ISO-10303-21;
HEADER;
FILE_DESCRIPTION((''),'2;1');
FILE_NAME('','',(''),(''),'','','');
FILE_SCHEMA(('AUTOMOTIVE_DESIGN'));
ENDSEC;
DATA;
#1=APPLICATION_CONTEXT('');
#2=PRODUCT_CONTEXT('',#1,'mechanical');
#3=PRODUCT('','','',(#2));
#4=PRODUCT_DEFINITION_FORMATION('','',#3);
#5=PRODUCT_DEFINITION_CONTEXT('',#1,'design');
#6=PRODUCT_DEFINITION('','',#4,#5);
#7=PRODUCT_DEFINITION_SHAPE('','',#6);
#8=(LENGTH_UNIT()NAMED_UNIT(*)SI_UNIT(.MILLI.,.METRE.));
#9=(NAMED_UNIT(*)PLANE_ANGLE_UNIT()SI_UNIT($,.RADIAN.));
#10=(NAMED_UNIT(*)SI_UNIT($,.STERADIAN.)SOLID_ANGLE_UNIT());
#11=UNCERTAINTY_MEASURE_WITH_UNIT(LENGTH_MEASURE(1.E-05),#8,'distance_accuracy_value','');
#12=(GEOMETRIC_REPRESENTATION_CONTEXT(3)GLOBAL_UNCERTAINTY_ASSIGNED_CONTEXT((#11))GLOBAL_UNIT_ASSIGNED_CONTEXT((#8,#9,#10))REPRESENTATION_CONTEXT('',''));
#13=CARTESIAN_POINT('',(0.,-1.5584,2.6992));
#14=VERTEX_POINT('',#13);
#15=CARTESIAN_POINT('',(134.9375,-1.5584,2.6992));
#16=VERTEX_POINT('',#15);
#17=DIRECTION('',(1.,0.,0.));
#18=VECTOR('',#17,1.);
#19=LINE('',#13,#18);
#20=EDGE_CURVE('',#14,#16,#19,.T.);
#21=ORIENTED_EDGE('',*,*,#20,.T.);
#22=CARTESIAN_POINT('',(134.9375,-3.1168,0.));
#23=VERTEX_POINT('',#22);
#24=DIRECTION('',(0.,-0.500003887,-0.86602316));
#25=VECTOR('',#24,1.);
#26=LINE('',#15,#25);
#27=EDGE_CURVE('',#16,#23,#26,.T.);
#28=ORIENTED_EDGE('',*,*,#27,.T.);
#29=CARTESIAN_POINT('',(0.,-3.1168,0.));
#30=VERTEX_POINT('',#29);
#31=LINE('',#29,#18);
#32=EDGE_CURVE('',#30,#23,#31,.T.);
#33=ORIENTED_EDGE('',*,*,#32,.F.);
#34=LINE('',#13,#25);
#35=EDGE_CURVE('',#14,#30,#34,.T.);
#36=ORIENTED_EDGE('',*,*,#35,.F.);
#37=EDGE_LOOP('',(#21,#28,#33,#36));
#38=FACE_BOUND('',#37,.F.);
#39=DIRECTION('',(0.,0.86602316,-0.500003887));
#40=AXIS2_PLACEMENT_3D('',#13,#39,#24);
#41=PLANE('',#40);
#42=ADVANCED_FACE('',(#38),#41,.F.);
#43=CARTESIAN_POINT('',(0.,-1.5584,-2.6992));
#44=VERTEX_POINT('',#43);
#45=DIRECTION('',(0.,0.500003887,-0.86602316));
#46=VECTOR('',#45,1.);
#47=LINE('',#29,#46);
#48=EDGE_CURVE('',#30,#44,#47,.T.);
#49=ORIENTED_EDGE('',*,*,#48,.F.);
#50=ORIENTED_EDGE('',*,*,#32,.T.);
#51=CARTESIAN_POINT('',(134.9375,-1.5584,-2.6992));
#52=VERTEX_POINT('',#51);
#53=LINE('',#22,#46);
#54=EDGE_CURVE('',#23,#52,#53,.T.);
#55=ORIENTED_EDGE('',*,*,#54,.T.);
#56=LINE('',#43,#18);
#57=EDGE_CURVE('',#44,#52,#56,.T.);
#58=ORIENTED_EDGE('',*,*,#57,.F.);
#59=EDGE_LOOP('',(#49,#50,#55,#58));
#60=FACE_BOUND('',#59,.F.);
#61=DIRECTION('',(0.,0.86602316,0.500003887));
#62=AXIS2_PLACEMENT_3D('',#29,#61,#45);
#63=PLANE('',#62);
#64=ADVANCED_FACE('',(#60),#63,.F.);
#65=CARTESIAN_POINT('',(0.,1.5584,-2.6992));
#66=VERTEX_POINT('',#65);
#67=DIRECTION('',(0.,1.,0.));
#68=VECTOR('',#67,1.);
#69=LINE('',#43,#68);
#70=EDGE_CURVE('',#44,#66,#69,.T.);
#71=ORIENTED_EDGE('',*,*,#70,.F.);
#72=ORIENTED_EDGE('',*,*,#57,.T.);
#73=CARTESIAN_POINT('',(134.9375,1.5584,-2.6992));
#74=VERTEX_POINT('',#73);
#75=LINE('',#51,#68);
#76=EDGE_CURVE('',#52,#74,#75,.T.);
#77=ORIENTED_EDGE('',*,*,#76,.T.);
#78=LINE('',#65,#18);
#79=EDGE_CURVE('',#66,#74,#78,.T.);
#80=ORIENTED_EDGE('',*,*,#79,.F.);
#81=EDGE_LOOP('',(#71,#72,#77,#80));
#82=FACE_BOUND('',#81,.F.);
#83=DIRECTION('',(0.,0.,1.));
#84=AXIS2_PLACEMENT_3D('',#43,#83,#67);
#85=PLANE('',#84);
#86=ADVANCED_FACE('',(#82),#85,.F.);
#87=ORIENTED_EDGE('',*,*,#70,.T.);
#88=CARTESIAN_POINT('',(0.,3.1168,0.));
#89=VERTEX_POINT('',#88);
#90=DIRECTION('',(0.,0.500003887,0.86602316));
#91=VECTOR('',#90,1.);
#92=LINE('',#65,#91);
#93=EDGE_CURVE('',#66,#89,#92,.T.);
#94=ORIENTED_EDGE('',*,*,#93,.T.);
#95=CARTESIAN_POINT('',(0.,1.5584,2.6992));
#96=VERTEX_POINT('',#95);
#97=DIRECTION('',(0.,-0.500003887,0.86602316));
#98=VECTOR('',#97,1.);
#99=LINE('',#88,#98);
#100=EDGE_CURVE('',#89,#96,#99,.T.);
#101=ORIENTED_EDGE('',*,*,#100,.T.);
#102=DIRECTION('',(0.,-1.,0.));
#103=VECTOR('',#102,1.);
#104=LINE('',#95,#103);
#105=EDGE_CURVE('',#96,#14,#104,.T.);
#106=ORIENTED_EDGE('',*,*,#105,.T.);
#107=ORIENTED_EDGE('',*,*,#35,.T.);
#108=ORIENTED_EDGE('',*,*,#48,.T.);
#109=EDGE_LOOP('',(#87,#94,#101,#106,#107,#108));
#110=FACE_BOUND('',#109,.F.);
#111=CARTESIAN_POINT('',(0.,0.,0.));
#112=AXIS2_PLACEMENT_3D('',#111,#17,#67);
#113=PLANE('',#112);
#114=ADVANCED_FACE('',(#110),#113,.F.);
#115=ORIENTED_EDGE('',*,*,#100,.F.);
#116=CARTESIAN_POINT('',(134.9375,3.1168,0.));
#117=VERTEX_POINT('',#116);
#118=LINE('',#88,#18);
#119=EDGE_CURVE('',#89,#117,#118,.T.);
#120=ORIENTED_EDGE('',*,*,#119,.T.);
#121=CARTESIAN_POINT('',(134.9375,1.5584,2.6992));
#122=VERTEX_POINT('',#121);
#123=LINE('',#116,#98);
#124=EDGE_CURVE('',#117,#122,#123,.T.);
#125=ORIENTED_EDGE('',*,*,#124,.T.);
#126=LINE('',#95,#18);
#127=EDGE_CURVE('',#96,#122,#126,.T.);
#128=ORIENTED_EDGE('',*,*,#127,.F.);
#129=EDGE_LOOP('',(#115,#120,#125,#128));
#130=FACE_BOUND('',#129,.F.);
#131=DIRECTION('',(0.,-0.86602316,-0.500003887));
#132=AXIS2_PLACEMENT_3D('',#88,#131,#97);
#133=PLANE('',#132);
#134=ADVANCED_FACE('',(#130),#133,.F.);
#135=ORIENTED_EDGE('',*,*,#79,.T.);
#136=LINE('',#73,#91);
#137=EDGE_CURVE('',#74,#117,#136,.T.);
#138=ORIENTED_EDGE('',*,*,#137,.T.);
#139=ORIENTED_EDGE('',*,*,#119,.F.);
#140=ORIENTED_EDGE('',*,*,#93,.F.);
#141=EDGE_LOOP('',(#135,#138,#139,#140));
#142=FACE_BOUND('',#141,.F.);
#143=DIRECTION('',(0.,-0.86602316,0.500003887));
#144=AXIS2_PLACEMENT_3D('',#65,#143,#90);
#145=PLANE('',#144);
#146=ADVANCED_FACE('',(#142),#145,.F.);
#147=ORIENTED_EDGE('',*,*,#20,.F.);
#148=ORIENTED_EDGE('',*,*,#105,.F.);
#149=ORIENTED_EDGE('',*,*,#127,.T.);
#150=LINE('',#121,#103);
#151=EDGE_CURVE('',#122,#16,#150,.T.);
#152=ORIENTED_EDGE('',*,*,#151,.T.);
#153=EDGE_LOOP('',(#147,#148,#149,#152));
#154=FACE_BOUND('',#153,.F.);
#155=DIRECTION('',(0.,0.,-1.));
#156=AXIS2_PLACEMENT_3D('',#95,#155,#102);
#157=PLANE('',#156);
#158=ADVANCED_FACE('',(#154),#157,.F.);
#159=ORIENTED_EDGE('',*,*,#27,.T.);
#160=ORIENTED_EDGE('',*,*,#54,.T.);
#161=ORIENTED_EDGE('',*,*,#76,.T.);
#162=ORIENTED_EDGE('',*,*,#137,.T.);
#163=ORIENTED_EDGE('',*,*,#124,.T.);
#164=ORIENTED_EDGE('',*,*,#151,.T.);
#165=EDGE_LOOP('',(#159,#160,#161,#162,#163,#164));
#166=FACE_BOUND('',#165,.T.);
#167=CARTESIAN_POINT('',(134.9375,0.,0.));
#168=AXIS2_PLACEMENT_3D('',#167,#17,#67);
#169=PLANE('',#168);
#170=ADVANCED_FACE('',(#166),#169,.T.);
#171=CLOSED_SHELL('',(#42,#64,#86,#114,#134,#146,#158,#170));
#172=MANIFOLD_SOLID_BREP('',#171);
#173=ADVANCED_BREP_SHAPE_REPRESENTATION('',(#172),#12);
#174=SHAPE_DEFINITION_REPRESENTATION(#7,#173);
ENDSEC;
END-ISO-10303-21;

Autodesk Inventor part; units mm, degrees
ref_plane "YZ Plane" through (0, 0, 0) normal (1, 0, 0) x (0, 1, 0)
ref_plane "XZ Plane" through (0, 0, 0) normal (0, 1, 0) x (-1, 0, 0)
ref_plane "XY Plane" through (0, 0, 0) normal (0, 0, 1) x (1, 0, 0)
sketch "Sketch1" plane through (0, 0, 0) normal (1, 0, 0) x (0, 1, 0)
  line L0 (-1.5584, 2.6992) -> (-3.1168, 0)
  line L1 (1.5584, 2.6992) -> (-1.5584, 2.6992)
  line L2 (3.1168, 0) -> (1.5584, 2.6992)
  line L3 (1.5584, -2.6992) -> (3.1168, 0)
  line L4 (-1.5584, -2.6992) -> (1.5584, -2.6992)
  line L5 (-3.1168, 0) -> (-1.5584, -2.6992)
  point P0 (0, 0)
  point P1 (0, 0)
  point P2 (0, 0)
extrude "Extrusion1" add sketch "Sketch1" along normal blind 134.9375
sketch "Sketch2" plane through (0, 0, 0) normal (-1, 0, 0) x (0, 0, 1)
  point P0 (0, 0)
  point P1 (0, 0)
sketch "Sketch3" plane through (134.9375, 0, 0) normal (1, 0, 0) x (0, 0, -1)
  point P0 (0, 0)
  point P1 (0, 0)
properties part number "HexShaft"
